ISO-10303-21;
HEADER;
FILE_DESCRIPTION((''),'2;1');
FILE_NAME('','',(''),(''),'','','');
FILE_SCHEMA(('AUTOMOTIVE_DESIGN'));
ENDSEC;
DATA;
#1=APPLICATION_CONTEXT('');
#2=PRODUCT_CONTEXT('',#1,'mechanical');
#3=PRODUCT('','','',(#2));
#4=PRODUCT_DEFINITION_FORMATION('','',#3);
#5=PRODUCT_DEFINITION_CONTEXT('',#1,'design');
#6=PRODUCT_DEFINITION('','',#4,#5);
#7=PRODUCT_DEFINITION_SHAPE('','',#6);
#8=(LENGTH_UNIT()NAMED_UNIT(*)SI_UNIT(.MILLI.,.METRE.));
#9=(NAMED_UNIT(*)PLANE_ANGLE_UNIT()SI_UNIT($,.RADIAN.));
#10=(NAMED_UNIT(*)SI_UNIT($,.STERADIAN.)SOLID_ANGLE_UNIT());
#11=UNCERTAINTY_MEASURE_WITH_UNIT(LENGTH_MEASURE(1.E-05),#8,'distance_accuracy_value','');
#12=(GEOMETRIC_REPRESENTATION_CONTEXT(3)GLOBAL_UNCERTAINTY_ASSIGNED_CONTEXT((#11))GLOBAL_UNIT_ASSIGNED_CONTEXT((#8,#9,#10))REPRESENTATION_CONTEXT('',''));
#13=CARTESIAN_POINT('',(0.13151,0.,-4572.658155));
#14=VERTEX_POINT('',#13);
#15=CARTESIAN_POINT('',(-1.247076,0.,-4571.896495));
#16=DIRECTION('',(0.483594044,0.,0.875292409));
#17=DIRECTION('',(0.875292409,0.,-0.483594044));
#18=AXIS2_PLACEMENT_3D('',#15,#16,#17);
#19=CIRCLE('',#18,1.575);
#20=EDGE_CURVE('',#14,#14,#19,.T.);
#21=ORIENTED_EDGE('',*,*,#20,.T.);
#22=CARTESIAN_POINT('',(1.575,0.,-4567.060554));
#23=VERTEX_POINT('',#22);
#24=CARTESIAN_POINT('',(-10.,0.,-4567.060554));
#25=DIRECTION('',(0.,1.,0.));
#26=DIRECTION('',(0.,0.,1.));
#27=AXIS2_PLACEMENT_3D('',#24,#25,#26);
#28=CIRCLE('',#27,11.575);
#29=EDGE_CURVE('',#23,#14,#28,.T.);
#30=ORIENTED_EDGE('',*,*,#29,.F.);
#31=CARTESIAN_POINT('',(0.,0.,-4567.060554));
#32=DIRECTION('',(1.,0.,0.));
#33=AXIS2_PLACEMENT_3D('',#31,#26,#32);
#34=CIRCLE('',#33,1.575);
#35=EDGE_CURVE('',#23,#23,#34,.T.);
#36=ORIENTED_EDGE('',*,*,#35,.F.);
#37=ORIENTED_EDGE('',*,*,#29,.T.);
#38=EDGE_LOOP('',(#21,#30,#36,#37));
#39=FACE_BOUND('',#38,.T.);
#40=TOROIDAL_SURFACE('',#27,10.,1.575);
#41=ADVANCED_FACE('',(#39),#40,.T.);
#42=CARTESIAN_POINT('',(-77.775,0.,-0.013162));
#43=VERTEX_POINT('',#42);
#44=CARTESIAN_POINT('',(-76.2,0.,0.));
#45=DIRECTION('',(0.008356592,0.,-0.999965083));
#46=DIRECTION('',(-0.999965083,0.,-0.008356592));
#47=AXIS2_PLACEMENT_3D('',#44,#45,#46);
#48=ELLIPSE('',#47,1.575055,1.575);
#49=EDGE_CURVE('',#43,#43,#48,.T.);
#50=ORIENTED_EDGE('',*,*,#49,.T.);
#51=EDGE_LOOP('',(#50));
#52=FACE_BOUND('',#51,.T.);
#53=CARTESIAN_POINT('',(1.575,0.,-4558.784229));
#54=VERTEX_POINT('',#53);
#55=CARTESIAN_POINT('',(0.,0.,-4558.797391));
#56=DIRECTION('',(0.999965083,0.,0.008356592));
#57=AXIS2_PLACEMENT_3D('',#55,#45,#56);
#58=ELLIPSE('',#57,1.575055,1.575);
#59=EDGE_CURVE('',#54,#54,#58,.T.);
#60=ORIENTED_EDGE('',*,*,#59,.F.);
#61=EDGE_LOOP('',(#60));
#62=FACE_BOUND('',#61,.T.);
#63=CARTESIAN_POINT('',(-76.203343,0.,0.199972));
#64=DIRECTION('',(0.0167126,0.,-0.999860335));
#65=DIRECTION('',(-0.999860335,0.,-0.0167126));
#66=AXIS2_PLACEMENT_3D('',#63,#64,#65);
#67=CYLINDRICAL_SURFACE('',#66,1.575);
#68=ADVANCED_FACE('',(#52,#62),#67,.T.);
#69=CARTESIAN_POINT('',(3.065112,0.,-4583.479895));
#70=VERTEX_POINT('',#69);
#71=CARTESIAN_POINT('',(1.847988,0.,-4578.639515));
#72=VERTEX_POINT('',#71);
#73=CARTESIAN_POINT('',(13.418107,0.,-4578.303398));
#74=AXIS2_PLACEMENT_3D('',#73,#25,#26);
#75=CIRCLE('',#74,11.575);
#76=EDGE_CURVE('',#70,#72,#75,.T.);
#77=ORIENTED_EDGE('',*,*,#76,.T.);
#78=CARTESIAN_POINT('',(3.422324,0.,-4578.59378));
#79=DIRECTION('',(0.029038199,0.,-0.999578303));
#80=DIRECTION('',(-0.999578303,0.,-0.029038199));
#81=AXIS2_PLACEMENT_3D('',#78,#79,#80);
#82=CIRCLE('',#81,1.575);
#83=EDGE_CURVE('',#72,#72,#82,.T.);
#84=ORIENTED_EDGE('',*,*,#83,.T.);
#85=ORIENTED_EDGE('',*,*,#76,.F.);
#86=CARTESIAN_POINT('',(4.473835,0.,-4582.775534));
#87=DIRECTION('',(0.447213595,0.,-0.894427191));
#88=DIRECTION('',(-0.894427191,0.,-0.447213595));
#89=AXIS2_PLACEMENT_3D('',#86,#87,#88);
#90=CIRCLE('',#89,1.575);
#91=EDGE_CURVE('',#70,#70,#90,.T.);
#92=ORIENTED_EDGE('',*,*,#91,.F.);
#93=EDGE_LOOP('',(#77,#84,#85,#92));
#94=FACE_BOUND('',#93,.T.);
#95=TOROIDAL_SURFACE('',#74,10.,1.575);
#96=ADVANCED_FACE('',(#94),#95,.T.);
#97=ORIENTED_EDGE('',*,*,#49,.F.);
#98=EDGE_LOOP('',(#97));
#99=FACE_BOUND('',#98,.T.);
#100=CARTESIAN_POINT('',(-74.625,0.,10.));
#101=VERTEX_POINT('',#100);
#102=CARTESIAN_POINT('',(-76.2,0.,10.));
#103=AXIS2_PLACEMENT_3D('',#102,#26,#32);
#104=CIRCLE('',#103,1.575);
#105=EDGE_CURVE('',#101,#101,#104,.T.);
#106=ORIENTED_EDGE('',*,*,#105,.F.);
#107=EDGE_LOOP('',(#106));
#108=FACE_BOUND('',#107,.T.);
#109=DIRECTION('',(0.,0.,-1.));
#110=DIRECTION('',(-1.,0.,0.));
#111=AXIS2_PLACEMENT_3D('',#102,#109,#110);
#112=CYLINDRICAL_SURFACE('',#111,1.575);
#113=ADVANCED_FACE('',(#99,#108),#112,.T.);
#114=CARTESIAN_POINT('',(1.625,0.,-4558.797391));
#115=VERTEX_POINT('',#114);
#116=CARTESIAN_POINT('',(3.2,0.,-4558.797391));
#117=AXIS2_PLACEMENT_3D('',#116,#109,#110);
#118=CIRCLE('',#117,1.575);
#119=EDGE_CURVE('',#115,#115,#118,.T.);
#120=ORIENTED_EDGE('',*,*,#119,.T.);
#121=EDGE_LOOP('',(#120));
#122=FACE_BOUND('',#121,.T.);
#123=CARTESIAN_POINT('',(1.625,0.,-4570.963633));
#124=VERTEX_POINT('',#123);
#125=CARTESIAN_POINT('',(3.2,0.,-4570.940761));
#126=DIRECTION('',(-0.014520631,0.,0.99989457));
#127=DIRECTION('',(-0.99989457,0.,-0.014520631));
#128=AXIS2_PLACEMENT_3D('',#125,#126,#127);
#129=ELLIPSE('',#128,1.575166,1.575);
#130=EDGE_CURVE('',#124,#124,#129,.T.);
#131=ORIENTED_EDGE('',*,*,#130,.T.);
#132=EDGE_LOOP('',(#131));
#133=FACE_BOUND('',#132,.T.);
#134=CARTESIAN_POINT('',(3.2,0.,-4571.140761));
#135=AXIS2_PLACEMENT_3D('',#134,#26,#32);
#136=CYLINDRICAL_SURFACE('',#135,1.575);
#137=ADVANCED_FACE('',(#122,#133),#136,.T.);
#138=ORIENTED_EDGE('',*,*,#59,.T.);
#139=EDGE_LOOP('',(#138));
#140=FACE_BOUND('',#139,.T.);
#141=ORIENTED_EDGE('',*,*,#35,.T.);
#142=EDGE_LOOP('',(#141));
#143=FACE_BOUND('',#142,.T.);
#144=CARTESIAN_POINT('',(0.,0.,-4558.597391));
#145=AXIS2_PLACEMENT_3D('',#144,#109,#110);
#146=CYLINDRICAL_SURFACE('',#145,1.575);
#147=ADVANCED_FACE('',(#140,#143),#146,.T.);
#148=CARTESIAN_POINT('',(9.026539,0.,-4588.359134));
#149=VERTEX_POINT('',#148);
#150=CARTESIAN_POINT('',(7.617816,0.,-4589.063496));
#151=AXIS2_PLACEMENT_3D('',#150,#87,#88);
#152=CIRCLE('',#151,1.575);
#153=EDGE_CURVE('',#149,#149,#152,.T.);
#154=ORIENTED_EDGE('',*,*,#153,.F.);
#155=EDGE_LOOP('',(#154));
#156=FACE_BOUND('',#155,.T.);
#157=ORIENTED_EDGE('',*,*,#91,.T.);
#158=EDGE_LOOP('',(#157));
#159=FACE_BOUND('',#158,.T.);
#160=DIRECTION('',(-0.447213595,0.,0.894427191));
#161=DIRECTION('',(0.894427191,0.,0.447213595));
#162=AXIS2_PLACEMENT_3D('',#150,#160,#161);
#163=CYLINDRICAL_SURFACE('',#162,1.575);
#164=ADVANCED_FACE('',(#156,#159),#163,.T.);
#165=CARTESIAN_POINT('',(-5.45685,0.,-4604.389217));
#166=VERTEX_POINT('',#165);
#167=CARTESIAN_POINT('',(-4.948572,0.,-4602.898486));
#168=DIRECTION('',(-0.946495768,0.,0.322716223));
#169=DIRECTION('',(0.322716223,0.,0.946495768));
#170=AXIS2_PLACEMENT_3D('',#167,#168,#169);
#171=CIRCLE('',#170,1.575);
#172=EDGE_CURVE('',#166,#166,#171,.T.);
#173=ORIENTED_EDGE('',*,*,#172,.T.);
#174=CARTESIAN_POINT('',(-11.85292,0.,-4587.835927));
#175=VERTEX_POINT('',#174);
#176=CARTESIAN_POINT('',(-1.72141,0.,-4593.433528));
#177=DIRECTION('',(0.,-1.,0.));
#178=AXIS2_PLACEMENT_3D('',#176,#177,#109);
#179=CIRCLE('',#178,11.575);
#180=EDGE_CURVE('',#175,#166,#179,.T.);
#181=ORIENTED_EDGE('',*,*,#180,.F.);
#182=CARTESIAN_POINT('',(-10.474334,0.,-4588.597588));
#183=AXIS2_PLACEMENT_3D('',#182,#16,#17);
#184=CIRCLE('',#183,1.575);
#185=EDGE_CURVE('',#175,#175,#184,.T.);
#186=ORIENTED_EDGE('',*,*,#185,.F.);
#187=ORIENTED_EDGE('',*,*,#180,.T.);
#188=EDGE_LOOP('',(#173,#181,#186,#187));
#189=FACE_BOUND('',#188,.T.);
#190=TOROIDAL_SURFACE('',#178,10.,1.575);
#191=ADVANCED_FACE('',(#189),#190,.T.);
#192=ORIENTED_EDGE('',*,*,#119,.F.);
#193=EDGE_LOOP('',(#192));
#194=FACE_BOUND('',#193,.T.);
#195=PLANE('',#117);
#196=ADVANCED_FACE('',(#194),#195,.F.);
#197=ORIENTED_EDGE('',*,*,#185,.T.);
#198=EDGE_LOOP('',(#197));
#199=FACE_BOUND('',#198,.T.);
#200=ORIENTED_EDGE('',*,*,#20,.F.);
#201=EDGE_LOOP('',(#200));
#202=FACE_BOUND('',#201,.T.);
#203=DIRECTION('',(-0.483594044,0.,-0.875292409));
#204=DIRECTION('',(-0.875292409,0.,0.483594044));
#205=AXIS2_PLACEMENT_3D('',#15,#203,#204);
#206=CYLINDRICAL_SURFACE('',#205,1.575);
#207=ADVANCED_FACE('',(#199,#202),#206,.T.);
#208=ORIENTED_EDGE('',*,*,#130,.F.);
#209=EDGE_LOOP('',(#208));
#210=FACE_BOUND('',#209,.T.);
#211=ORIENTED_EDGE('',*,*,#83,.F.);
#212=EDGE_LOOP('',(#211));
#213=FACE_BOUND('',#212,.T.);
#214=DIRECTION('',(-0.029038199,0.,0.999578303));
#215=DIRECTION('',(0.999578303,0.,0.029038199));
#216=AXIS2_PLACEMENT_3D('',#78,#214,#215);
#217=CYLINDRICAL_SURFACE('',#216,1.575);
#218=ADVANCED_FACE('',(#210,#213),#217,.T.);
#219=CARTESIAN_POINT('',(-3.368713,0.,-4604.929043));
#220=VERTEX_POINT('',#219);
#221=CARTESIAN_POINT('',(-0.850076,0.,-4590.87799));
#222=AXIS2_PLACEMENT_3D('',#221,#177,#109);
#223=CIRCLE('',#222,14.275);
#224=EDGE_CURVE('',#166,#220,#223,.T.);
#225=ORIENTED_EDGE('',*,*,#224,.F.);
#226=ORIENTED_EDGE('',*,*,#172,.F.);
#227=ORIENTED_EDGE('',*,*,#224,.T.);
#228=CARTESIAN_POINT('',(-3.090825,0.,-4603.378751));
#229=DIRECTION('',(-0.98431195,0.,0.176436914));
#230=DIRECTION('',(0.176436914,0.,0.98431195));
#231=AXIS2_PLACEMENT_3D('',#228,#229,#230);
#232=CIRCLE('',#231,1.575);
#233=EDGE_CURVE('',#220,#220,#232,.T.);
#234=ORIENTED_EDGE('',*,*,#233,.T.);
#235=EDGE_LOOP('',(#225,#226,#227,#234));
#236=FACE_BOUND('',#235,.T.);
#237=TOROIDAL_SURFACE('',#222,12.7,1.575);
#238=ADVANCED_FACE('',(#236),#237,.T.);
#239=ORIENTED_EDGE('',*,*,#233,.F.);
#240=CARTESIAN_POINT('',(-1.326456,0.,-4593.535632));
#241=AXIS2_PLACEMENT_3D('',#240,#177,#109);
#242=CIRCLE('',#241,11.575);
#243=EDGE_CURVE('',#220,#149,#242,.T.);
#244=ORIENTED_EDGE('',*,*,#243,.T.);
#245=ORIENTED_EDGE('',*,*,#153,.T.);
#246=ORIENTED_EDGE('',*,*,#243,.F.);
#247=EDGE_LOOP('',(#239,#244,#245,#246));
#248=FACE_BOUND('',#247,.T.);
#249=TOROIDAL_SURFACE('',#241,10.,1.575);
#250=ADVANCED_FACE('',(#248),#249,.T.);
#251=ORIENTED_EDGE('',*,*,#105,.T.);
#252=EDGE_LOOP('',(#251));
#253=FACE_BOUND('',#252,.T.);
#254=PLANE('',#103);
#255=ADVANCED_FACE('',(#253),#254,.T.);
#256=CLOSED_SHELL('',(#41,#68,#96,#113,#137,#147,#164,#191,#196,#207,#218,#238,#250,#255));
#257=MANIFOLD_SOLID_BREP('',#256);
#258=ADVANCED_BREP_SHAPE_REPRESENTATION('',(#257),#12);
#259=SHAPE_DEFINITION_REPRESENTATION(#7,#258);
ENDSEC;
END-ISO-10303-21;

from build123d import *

# Parameters (mm, degrees)
SKETCH7_R = 1.575


with BuildPart() as part:
    # Sweep5: sweep along a path in Sketch1
    with BuildLine(Plane(origin=(0, 0, 0), x_dir=(1, 0, 0), z_dir=(0, 1, 0))) as sweep5_path:
        Line((3.2, 4558.797390764), (3.2, 4570.940760898))
        Line((3.2, 4570.940760898), (3.422323637, 4578.593779589))
        ThreePointArc((3.422323637, 4578.593779589), (3.720004436, 4580.742006463), (4.473834752, 4582.77553355))
        Line((4.473834752, 4582.77553355), (7.617815914, 4589.063495874))
        ThreePointArc((7.617815914, 4589.063495874), (6.68100213, 4599.525674764), (-3.090825138, 4603.37875133))
        ThreePointArc((-3.090825138, 4603.37875133), (-4.028782044, 4603.17375428), (-4.948572359, 4602.898485821))
        ThreePointArc((-4.948572359, 4602.898485821), (-11.049300502, 4597.037756376), (-10.474334218, 4588.597587701))
        Line((-10.474334218, 4588.597587701), (-1.247075911, 4571.896494591))
        ThreePointArc((-1.247075911, 4571.896494591), (-0.316786668, 4569.557628354), (0, 4567.060554155))
        Line((0, 4567.060554155), (0, 4558.797390764))
        Line((0, 4558.797390764), (-76.2, 0))
        Line((-76.2, 0), (-76.2, -10))
    # Sketch7 → Sweep5 (sweep)
    with BuildSketch(Plane.XY.offset(10)):
        with Locations((-76.2, 0)):
            Circle(SKETCH7_R)
    sweep(path=sweep5_path.line, transition=Transition.RIGHT)


solid = part.part
